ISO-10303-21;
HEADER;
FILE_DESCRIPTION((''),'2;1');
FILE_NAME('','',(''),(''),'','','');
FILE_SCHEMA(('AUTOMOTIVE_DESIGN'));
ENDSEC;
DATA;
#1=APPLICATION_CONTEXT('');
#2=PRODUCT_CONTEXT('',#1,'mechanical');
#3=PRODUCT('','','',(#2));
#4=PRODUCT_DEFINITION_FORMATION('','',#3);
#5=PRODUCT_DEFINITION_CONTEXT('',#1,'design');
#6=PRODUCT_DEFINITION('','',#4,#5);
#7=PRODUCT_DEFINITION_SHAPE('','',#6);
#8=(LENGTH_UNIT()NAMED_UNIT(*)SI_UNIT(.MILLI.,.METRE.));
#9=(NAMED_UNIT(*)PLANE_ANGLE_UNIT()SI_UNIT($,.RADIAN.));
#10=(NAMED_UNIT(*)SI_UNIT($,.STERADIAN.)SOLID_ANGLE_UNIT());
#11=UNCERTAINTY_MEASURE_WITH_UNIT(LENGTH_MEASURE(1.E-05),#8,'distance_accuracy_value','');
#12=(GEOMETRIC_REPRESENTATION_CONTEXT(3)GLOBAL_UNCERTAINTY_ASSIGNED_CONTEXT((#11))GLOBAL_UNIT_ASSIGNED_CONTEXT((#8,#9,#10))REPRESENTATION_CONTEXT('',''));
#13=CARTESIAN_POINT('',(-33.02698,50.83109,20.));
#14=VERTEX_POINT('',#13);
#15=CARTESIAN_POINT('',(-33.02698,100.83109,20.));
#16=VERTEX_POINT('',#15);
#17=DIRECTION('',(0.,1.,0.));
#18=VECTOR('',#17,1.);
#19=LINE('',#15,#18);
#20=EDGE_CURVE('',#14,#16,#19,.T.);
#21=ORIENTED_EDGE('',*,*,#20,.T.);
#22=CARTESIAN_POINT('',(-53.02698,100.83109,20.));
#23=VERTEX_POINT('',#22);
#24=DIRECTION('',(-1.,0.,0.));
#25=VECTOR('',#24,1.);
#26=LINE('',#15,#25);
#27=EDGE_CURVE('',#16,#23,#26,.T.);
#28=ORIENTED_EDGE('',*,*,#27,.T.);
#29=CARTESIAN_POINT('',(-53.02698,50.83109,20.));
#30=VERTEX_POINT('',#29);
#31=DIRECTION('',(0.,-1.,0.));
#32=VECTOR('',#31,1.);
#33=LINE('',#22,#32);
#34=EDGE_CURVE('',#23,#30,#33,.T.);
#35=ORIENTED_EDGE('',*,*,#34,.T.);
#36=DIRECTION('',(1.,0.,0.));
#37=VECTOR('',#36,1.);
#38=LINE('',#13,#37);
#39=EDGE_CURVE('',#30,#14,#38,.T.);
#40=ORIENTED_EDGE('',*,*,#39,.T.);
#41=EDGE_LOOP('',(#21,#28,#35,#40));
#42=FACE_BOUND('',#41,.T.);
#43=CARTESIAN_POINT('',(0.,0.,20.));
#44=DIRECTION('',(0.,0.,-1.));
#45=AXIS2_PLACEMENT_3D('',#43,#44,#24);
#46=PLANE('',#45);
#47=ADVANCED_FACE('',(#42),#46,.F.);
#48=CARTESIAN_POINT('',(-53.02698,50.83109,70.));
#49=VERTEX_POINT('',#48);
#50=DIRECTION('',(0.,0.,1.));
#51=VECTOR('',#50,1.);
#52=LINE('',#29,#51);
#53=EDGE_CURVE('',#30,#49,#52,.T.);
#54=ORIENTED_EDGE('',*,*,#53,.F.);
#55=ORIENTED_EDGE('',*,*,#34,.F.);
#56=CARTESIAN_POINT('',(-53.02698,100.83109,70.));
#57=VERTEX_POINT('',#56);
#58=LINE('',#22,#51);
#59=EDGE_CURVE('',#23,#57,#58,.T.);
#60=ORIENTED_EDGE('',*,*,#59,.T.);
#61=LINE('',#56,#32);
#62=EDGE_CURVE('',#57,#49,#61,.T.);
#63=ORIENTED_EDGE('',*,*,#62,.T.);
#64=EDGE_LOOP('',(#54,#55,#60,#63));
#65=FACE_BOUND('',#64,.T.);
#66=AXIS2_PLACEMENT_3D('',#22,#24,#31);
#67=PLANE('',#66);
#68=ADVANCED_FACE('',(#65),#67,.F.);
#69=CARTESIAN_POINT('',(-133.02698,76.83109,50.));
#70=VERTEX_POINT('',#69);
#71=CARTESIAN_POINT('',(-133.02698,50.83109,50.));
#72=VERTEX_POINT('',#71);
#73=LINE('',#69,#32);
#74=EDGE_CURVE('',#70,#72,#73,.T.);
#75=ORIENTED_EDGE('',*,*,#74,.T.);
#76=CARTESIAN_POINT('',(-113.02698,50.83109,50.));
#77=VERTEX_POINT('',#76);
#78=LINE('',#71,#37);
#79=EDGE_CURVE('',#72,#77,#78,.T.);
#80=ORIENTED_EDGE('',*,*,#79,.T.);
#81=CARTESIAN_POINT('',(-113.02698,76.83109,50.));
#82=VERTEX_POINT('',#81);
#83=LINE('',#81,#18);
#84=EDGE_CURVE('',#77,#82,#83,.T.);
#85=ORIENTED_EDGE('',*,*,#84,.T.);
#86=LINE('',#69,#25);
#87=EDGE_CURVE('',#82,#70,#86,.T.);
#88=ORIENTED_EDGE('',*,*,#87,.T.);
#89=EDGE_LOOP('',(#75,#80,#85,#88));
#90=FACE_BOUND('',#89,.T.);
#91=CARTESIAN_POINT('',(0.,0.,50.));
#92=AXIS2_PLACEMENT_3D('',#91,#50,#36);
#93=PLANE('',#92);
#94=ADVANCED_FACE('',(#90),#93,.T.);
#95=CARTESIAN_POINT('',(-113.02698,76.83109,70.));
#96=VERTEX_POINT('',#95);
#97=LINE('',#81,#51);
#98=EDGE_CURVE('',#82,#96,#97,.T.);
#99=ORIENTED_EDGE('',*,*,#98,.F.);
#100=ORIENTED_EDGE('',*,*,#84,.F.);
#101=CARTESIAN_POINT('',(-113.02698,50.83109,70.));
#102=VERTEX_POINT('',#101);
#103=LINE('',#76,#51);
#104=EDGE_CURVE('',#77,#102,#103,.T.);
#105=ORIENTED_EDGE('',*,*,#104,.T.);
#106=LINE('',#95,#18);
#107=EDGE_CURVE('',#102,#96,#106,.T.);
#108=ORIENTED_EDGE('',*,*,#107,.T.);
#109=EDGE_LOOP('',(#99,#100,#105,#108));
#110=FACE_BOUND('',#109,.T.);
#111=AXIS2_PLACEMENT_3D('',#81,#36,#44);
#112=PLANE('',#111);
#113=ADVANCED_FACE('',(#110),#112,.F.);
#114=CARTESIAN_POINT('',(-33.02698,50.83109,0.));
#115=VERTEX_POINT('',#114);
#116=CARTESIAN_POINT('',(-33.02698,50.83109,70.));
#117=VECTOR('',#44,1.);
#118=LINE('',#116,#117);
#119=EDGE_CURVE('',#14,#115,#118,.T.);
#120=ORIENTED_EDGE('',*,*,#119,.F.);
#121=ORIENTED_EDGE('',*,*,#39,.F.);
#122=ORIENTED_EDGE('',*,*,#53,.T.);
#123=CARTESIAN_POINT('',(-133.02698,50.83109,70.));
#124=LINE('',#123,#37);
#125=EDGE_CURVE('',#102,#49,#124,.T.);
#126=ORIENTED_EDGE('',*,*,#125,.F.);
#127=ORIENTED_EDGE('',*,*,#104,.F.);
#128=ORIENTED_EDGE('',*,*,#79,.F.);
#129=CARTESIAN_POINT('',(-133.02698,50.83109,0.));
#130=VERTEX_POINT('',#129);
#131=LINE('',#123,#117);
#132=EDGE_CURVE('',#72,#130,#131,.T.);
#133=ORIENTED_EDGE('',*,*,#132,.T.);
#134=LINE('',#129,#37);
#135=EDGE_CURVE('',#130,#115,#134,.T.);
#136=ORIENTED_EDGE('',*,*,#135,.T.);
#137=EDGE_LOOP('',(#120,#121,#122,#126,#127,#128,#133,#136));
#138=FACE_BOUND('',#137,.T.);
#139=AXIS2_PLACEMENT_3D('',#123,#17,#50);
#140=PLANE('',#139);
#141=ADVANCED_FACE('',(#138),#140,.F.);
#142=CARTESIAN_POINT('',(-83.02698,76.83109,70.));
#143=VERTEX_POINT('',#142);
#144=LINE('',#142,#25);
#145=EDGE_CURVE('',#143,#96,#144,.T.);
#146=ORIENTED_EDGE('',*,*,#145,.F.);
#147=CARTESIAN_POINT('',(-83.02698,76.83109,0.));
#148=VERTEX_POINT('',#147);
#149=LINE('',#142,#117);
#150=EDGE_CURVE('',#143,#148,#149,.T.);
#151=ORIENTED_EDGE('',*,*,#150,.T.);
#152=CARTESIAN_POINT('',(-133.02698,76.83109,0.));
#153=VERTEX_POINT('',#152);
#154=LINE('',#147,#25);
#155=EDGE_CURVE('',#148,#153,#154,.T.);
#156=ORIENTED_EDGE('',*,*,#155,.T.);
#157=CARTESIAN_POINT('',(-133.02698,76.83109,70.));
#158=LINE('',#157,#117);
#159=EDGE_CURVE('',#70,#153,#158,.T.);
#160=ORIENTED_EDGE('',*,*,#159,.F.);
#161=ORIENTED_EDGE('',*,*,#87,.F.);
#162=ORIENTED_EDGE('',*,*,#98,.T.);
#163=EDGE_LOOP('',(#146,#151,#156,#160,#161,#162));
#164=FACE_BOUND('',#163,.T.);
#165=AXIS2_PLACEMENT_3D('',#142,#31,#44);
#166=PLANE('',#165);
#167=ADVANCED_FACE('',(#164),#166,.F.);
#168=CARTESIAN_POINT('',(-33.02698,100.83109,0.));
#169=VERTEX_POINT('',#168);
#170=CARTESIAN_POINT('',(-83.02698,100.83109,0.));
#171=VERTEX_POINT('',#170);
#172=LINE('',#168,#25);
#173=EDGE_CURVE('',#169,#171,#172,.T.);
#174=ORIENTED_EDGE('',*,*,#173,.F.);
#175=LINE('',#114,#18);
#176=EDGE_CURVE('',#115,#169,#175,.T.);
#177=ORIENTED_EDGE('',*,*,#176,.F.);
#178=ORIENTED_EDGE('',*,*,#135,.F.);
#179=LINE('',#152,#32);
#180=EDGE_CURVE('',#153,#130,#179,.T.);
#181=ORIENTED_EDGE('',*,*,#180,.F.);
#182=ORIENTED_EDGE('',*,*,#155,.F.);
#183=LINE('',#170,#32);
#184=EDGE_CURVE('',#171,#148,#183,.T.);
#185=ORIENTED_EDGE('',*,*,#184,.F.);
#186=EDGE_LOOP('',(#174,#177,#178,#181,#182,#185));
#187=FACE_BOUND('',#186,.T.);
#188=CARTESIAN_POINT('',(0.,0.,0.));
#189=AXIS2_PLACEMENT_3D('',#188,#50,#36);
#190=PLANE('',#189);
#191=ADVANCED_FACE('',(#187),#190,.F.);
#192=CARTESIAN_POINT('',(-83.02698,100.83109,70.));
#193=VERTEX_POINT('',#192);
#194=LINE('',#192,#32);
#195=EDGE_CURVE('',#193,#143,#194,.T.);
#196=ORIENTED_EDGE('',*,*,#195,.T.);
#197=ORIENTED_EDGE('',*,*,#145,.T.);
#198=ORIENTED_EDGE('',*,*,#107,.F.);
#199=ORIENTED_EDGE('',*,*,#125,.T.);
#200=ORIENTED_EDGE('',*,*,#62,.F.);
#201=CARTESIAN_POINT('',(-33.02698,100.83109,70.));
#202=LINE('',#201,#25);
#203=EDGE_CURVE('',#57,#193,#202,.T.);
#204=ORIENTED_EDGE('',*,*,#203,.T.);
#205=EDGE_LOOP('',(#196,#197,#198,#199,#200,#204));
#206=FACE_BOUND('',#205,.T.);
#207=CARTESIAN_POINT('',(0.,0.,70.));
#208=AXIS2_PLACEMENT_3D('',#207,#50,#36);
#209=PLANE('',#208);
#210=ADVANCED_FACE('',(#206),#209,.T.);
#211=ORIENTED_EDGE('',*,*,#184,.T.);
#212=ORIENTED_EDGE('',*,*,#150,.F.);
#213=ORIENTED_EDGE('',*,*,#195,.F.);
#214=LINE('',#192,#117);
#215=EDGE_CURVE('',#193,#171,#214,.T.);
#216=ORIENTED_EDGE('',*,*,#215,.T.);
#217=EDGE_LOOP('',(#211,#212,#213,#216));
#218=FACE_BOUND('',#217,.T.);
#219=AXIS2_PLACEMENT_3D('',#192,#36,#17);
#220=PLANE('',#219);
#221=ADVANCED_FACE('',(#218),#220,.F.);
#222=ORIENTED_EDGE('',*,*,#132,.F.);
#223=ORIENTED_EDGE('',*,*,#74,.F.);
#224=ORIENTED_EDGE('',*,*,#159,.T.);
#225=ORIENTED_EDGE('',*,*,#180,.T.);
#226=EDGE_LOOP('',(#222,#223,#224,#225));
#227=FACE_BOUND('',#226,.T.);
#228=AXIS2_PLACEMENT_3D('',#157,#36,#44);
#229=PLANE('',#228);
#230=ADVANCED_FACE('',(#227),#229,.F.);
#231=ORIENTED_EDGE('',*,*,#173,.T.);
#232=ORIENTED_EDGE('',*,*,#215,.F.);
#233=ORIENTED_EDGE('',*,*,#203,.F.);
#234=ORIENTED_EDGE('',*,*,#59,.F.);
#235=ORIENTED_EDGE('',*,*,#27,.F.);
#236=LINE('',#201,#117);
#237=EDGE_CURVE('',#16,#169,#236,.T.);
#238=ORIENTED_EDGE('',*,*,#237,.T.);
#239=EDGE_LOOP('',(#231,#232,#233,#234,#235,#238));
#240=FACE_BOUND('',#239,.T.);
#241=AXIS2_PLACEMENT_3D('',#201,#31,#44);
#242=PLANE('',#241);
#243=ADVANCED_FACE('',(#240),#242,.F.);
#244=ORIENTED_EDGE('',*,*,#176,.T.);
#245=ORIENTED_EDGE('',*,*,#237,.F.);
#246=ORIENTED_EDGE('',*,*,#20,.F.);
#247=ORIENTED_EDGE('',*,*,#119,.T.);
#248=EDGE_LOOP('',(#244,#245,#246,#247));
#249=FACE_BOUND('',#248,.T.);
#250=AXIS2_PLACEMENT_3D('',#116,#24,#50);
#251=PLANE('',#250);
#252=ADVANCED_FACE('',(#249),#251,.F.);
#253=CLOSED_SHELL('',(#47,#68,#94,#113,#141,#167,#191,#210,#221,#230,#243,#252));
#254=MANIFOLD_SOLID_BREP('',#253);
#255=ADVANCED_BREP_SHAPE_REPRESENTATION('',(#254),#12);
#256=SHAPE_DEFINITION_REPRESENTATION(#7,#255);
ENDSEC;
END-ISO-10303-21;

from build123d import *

# Parameters (mm, degrees)
BOSS_EXTRUDE1_DEPTH = 70
SKETCH2_W           = 20
SKETCH2_H           = 50
CUT_EXTRUDE1_DEPTH  = 50
SKETCH3_W           = 20
SKETCH3_H           = 26
CUT_EXTRUDE2_DEPTH  = 20


with BuildPart() as part:
    # Sketch1 → Boss-Extrude1 (new body)
    with BuildSketch(Plane.XY):
        Polygon((-33.026980357, 100.831089677), (-83.026980357, 100.831089677), (-83.026980357, 76.831089677), (-133.026980357, 76.831089677), (-133.026980357, 50.831089677), (-33.026980357, 50.831089677), align=None)
    extrude(amount=BOSS_EXTRUDE1_DEPTH)

    # Sketch2 → Cut-Extrude1 (cut)
    with BuildSketch(Plane.XY.offset(70)):
        with Locations((-43.026980357, 75.831089677)):
            Rectangle(SKETCH2_W, SKETCH2_H)
    extrude(amount=-CUT_EXTRUDE1_DEPTH, mode=Mode.SUBTRACT)

    # Sketch3 → Cut-Extrude2 (cut)
    with BuildSketch(Plane.XY.offset(70)):
        with Locations((-123.026980357, 63.831089677)):
            Rectangle(SKETCH3_W, SKETCH3_H)
    extrude(amount=-CUT_EXTRUDE2_DEPTH, mode=Mode.SUBTRACT)


solid = part.part
